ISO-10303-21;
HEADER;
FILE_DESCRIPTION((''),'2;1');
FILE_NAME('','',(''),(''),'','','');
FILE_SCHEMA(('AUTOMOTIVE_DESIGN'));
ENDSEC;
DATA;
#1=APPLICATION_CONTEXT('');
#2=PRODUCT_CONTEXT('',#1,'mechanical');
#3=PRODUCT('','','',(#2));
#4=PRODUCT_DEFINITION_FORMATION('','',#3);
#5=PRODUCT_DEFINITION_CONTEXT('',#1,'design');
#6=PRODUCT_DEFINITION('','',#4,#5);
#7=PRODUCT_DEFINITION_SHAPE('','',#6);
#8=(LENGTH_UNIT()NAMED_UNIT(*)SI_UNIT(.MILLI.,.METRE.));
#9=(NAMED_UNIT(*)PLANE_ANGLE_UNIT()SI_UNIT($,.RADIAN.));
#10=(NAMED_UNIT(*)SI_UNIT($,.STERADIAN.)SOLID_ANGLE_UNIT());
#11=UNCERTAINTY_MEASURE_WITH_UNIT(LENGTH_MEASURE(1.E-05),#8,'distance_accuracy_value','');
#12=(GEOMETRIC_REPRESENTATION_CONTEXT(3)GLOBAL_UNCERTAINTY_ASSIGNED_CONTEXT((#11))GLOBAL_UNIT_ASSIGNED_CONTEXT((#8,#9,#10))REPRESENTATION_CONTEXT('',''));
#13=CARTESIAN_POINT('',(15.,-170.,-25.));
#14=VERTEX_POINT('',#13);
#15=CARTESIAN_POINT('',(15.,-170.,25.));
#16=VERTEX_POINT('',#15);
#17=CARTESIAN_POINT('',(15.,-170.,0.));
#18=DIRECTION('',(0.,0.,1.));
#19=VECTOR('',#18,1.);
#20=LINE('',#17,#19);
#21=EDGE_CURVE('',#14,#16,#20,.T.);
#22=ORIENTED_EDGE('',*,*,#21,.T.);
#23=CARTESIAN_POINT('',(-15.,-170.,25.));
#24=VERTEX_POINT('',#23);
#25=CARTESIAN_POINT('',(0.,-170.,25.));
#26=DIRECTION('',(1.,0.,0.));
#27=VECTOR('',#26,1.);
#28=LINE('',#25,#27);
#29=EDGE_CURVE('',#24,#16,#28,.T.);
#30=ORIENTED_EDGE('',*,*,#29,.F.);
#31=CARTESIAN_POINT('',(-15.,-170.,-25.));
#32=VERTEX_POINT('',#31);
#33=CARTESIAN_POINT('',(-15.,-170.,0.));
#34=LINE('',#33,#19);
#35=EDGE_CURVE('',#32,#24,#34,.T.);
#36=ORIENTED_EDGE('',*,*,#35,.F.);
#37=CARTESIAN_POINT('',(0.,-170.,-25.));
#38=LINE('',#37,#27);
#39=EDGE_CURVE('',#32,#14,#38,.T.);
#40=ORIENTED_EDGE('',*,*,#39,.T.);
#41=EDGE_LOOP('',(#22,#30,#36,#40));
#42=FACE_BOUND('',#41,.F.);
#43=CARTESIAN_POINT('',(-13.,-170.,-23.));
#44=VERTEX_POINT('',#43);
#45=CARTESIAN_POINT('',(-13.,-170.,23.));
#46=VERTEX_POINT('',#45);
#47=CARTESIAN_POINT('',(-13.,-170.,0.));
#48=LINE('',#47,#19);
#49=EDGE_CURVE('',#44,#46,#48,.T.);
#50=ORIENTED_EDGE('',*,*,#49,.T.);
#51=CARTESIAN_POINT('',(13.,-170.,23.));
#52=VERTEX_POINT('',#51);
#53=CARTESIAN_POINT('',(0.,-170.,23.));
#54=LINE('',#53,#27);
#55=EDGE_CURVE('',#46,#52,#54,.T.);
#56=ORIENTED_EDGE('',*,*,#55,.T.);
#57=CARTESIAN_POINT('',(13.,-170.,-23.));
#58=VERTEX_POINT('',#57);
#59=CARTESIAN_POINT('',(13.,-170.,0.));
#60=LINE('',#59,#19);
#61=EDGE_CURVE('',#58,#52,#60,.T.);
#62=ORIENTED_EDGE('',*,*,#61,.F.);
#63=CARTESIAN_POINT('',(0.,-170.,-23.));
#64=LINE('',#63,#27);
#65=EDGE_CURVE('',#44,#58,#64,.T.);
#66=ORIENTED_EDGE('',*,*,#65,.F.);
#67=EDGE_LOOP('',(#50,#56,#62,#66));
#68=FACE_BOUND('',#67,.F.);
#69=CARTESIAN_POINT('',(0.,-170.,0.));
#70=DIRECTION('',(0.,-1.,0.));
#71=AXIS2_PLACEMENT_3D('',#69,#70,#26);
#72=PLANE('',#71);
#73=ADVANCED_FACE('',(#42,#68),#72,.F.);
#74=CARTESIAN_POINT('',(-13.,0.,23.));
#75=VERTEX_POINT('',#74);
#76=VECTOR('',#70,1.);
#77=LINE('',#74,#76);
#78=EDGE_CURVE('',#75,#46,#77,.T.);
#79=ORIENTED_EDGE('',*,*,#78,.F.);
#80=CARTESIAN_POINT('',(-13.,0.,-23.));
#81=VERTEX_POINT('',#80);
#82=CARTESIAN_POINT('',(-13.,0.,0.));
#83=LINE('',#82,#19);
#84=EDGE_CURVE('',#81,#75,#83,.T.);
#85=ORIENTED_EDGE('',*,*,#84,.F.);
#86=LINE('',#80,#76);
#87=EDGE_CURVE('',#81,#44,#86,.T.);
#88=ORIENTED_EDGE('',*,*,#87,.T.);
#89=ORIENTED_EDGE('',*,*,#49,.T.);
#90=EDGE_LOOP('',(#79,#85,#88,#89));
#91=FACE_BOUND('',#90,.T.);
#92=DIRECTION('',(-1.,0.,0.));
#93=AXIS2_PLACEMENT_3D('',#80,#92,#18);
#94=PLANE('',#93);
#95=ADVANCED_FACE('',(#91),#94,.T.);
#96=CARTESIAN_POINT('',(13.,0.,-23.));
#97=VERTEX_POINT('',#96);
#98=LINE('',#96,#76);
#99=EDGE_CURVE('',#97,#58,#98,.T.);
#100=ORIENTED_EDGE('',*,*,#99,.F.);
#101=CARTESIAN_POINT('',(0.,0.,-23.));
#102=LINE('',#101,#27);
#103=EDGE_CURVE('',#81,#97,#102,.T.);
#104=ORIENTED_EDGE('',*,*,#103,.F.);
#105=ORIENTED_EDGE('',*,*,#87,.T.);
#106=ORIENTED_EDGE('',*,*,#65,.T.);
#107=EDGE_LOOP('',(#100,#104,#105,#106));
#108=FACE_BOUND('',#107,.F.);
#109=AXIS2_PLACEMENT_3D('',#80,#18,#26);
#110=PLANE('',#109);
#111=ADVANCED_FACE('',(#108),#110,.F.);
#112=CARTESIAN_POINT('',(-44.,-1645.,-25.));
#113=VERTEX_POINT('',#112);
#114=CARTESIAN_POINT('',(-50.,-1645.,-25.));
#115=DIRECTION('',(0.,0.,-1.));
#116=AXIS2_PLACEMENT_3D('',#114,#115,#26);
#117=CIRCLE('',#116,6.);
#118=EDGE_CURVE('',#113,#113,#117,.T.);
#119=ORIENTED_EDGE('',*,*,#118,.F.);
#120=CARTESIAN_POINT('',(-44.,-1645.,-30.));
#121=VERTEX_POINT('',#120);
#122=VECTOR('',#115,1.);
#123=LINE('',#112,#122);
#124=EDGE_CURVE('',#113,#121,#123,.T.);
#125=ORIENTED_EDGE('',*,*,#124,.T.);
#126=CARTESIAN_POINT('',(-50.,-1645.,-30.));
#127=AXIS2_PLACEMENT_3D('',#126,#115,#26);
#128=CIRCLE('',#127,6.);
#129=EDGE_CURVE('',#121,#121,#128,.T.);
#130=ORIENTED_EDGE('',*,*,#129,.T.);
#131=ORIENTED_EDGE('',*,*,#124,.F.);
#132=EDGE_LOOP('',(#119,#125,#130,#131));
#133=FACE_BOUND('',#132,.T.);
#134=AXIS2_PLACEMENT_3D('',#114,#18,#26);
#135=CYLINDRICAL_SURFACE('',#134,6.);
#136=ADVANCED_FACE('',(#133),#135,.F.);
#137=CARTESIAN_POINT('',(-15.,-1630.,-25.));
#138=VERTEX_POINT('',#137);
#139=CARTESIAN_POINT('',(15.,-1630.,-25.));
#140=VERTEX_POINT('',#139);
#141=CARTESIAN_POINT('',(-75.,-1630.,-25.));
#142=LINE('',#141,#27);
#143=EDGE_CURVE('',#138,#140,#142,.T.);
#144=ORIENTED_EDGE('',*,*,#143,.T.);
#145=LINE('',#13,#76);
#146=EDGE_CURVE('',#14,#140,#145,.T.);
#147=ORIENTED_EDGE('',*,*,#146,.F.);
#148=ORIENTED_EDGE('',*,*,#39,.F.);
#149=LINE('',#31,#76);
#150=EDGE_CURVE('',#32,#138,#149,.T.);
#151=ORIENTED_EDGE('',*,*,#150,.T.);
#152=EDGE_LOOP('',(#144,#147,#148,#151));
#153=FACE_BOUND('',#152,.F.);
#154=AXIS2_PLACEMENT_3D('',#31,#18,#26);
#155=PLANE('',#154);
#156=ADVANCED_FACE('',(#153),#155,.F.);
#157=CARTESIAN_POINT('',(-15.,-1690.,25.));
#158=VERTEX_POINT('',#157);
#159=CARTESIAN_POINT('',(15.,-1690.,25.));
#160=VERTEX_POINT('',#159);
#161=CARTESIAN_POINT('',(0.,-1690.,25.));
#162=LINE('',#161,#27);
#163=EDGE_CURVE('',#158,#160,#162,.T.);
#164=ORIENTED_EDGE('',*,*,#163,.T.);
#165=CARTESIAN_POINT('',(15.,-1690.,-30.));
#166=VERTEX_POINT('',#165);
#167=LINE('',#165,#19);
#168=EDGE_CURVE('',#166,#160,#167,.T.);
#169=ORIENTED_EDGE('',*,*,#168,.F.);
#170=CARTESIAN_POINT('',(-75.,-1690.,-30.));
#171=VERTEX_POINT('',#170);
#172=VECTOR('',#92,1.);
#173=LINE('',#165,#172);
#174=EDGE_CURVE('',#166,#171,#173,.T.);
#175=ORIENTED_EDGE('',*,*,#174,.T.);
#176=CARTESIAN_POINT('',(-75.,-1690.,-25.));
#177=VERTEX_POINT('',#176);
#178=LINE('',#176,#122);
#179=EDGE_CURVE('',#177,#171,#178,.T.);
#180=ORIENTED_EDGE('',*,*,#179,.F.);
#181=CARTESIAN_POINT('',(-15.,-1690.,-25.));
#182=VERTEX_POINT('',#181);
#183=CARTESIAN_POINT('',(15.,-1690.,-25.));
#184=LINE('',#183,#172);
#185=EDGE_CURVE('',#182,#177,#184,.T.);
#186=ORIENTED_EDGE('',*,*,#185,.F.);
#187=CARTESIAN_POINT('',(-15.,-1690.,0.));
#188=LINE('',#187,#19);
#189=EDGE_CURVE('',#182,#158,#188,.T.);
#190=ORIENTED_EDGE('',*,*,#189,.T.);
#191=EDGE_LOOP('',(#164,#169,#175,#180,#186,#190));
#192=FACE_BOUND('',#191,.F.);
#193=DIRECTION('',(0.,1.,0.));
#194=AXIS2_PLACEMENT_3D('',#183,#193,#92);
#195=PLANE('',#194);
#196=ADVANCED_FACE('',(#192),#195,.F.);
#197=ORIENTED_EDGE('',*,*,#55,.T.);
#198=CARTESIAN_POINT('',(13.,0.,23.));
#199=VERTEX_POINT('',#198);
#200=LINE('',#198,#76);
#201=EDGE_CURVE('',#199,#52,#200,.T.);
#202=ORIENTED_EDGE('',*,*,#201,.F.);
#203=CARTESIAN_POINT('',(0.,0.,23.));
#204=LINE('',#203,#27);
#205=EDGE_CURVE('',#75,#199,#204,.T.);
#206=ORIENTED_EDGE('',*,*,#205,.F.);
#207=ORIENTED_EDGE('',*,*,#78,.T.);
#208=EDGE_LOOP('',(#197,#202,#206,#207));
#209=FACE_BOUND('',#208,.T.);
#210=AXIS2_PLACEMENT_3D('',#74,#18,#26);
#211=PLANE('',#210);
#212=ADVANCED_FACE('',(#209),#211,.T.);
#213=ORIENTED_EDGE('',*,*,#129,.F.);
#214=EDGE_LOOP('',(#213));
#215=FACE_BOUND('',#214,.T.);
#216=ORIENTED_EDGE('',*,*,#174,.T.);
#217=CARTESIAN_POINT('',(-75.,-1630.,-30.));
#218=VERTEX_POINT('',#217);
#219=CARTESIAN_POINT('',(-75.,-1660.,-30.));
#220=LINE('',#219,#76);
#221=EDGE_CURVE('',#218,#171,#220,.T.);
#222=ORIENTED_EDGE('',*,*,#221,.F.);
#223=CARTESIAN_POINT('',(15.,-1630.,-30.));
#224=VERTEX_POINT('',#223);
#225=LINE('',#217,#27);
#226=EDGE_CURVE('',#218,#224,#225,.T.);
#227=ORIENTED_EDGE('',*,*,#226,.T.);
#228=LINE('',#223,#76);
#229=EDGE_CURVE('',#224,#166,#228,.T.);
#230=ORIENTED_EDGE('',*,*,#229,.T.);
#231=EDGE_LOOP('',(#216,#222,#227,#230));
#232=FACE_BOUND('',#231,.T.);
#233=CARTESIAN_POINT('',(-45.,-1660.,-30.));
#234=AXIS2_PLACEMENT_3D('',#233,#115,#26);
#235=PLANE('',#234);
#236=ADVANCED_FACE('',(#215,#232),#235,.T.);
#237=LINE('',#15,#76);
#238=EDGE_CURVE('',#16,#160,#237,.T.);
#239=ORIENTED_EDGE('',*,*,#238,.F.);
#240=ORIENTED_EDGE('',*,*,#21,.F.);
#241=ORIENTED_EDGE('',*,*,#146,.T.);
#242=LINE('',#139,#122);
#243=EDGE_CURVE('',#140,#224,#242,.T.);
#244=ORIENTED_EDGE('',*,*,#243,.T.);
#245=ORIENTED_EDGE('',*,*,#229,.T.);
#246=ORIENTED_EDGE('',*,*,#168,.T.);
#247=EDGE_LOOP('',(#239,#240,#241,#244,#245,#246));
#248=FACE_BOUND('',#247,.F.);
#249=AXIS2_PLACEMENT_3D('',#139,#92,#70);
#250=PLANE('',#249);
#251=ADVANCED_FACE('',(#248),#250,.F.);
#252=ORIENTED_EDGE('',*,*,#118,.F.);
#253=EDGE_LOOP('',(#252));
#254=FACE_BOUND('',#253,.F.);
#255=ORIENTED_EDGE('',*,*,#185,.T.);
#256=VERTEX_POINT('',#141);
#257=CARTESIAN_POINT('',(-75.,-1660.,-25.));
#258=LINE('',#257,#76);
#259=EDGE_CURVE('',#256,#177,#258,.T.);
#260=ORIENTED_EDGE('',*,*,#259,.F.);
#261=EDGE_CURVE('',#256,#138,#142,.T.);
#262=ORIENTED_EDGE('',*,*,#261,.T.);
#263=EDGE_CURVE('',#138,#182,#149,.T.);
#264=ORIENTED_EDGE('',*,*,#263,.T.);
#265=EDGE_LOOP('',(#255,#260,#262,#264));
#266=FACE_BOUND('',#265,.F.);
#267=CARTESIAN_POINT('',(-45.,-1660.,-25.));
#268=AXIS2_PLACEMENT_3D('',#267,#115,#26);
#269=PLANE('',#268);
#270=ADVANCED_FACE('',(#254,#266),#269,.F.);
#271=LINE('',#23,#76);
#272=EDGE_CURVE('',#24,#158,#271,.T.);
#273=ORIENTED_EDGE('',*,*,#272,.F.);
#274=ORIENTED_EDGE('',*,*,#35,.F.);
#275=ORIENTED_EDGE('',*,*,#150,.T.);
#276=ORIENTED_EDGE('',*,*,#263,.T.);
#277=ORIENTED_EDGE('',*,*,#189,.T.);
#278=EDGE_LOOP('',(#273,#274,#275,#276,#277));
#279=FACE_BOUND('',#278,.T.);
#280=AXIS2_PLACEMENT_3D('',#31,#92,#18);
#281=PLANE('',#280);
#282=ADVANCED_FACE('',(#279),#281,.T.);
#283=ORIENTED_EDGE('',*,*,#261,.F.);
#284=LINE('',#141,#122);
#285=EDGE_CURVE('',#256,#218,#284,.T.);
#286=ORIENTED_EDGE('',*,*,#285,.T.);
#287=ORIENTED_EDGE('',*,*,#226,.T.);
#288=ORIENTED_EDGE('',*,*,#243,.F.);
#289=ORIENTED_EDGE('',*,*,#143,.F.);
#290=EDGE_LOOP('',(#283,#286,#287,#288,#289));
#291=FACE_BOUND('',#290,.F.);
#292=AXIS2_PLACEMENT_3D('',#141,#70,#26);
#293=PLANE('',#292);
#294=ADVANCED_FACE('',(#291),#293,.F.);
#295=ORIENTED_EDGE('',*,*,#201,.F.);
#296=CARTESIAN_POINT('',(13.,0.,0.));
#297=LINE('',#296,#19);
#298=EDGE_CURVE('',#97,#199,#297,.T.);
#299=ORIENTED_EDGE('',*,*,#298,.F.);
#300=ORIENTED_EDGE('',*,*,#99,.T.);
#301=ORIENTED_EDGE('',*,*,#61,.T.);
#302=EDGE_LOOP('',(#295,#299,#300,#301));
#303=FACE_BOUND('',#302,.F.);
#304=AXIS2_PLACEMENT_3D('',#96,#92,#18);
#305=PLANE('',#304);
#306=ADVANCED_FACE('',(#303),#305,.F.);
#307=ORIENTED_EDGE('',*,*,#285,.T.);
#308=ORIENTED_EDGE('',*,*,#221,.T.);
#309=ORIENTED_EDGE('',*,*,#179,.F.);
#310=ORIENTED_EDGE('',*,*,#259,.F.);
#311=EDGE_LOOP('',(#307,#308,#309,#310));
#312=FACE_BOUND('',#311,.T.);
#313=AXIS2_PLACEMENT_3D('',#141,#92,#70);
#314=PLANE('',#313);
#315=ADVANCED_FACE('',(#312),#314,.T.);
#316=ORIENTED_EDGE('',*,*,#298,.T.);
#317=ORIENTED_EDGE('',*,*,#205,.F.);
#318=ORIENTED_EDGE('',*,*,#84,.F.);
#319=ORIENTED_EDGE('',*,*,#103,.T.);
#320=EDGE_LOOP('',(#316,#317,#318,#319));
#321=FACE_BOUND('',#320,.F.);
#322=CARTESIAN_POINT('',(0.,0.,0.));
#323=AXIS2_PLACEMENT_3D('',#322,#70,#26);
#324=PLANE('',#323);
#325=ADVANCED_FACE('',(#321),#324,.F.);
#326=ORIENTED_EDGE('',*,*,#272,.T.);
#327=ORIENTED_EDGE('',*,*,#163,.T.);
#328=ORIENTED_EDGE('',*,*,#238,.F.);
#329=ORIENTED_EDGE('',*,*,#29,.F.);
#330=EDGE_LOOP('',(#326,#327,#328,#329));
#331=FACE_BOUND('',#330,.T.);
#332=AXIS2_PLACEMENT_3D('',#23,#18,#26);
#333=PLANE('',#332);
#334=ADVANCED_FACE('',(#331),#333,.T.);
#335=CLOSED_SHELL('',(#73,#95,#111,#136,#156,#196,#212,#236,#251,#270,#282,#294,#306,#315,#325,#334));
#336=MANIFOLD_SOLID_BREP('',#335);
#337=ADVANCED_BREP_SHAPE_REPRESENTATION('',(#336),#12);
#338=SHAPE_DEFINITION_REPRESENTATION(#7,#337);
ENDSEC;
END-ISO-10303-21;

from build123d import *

# Parameters (mm, degrees)
F0_W     = 26
F0_H     = 46
F1_DEPTH = 170
F2_W     = 30
F2_H     = 50
F3_DEPTH = 1520
F4_W     = 60
F4_H     = 60
F4_R     = 6
F5_DEPTH = 5


with BuildPart() as f1:
    # F0 (on Front) → F1 (new body)
    with BuildSketch(Plane.XZ):
        Rectangle(F0_W, F0_H)
    extrude(amount=F1_DEPTH)

    # F2 (on face) → F3 (join)
    with BuildSketch(Plane.XZ.offset(170)):
        Rectangle(F2_W, F2_H)
    extrude(amount=F3_DEPTH)

    # F4 (on face) → F5 (join)
    with BuildSketch(Plane(origin=(0, 0, -25), x_dir=(1, 0, 0), z_dir=(0, 0, -1))):
        with Locations((-45, 1660)):
            Rectangle(F4_W, F4_H)
        with Locations((-50, 1645)):
            Circle(F4_R, mode=Mode.SUBTRACT)
        Polygon((15, 1690), (-15, 1690), (-15, 1630), (15, 1630), (15, 1645), align=None)
    extrude(amount=F5_DEPTH)


solid = f1.part
